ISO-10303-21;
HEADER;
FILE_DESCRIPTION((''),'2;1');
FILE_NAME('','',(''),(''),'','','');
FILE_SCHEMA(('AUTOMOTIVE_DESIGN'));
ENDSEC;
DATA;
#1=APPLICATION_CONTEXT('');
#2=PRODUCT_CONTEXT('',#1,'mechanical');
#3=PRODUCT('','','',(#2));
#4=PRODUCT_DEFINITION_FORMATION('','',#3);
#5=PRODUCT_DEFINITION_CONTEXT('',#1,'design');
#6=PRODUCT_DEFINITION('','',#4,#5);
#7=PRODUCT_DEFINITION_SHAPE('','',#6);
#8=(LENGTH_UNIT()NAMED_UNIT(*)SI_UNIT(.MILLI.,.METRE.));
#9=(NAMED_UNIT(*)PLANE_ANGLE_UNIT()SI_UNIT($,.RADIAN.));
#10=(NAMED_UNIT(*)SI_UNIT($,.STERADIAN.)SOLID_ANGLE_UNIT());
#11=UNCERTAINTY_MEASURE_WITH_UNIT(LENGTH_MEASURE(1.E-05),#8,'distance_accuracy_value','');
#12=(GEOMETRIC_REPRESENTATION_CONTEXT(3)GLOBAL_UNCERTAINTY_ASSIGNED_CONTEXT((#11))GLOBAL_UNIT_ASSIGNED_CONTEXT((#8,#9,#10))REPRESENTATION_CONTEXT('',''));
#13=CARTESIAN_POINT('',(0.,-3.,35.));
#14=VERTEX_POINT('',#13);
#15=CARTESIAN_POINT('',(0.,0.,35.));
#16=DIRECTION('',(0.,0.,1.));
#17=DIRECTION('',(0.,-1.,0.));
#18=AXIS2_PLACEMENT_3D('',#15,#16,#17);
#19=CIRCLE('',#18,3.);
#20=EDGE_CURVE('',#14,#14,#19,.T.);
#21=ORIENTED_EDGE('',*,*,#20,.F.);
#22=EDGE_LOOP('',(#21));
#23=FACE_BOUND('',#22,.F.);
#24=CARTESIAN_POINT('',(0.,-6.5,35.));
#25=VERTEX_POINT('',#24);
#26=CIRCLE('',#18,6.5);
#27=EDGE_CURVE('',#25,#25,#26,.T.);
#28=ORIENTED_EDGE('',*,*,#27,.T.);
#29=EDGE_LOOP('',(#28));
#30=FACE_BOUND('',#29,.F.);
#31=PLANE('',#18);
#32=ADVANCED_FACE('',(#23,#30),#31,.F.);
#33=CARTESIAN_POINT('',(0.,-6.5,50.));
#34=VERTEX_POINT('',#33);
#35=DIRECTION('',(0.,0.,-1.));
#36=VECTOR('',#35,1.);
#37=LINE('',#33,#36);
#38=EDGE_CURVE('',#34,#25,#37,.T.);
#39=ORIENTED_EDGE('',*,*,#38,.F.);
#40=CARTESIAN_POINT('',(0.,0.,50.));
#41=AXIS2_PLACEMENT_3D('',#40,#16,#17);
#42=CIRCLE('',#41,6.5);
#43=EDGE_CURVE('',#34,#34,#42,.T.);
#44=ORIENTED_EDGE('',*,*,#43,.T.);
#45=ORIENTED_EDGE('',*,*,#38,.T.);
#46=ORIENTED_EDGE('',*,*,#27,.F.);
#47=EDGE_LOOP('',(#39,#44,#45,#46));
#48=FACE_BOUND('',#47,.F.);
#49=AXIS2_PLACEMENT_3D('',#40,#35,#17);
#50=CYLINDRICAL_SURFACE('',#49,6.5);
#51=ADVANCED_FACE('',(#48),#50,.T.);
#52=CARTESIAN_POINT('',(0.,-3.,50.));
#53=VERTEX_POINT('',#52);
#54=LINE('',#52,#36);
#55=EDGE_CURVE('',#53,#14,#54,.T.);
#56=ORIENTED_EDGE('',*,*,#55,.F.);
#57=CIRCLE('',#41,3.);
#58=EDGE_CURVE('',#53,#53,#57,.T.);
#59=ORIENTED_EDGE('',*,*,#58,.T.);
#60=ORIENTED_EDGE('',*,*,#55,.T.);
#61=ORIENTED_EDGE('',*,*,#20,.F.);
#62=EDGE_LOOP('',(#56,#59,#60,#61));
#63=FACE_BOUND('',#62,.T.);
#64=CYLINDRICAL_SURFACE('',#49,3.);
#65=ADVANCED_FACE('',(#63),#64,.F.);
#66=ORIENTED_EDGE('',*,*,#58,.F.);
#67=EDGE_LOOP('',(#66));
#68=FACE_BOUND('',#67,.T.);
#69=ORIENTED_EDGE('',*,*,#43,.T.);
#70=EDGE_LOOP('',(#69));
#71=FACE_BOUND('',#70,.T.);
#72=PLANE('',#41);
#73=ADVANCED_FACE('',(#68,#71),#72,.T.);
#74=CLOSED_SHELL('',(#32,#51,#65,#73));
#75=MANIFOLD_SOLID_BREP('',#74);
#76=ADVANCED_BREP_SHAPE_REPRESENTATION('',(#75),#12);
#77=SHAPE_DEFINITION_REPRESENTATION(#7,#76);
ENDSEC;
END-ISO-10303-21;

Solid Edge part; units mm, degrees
sketch "Sketch1" plane through (0, 0, 0) normal (1, 0, 0) x (0, 1, 0)
  line L0 (-6.5, 50) -> (-3, 50)
  line L1 (-3, 50) -> (-3, 35)
  line L2 (-6.5, 35) -> (-3, 35)
  line L3 (-6.5, 50) -> (-6.5, 35)
revolve "RevolvedProtrusion1" add sketch "Sketch1" angle 360 about axis through (0, 0, -57) along (0, 0, 1)
properties material "Water"
